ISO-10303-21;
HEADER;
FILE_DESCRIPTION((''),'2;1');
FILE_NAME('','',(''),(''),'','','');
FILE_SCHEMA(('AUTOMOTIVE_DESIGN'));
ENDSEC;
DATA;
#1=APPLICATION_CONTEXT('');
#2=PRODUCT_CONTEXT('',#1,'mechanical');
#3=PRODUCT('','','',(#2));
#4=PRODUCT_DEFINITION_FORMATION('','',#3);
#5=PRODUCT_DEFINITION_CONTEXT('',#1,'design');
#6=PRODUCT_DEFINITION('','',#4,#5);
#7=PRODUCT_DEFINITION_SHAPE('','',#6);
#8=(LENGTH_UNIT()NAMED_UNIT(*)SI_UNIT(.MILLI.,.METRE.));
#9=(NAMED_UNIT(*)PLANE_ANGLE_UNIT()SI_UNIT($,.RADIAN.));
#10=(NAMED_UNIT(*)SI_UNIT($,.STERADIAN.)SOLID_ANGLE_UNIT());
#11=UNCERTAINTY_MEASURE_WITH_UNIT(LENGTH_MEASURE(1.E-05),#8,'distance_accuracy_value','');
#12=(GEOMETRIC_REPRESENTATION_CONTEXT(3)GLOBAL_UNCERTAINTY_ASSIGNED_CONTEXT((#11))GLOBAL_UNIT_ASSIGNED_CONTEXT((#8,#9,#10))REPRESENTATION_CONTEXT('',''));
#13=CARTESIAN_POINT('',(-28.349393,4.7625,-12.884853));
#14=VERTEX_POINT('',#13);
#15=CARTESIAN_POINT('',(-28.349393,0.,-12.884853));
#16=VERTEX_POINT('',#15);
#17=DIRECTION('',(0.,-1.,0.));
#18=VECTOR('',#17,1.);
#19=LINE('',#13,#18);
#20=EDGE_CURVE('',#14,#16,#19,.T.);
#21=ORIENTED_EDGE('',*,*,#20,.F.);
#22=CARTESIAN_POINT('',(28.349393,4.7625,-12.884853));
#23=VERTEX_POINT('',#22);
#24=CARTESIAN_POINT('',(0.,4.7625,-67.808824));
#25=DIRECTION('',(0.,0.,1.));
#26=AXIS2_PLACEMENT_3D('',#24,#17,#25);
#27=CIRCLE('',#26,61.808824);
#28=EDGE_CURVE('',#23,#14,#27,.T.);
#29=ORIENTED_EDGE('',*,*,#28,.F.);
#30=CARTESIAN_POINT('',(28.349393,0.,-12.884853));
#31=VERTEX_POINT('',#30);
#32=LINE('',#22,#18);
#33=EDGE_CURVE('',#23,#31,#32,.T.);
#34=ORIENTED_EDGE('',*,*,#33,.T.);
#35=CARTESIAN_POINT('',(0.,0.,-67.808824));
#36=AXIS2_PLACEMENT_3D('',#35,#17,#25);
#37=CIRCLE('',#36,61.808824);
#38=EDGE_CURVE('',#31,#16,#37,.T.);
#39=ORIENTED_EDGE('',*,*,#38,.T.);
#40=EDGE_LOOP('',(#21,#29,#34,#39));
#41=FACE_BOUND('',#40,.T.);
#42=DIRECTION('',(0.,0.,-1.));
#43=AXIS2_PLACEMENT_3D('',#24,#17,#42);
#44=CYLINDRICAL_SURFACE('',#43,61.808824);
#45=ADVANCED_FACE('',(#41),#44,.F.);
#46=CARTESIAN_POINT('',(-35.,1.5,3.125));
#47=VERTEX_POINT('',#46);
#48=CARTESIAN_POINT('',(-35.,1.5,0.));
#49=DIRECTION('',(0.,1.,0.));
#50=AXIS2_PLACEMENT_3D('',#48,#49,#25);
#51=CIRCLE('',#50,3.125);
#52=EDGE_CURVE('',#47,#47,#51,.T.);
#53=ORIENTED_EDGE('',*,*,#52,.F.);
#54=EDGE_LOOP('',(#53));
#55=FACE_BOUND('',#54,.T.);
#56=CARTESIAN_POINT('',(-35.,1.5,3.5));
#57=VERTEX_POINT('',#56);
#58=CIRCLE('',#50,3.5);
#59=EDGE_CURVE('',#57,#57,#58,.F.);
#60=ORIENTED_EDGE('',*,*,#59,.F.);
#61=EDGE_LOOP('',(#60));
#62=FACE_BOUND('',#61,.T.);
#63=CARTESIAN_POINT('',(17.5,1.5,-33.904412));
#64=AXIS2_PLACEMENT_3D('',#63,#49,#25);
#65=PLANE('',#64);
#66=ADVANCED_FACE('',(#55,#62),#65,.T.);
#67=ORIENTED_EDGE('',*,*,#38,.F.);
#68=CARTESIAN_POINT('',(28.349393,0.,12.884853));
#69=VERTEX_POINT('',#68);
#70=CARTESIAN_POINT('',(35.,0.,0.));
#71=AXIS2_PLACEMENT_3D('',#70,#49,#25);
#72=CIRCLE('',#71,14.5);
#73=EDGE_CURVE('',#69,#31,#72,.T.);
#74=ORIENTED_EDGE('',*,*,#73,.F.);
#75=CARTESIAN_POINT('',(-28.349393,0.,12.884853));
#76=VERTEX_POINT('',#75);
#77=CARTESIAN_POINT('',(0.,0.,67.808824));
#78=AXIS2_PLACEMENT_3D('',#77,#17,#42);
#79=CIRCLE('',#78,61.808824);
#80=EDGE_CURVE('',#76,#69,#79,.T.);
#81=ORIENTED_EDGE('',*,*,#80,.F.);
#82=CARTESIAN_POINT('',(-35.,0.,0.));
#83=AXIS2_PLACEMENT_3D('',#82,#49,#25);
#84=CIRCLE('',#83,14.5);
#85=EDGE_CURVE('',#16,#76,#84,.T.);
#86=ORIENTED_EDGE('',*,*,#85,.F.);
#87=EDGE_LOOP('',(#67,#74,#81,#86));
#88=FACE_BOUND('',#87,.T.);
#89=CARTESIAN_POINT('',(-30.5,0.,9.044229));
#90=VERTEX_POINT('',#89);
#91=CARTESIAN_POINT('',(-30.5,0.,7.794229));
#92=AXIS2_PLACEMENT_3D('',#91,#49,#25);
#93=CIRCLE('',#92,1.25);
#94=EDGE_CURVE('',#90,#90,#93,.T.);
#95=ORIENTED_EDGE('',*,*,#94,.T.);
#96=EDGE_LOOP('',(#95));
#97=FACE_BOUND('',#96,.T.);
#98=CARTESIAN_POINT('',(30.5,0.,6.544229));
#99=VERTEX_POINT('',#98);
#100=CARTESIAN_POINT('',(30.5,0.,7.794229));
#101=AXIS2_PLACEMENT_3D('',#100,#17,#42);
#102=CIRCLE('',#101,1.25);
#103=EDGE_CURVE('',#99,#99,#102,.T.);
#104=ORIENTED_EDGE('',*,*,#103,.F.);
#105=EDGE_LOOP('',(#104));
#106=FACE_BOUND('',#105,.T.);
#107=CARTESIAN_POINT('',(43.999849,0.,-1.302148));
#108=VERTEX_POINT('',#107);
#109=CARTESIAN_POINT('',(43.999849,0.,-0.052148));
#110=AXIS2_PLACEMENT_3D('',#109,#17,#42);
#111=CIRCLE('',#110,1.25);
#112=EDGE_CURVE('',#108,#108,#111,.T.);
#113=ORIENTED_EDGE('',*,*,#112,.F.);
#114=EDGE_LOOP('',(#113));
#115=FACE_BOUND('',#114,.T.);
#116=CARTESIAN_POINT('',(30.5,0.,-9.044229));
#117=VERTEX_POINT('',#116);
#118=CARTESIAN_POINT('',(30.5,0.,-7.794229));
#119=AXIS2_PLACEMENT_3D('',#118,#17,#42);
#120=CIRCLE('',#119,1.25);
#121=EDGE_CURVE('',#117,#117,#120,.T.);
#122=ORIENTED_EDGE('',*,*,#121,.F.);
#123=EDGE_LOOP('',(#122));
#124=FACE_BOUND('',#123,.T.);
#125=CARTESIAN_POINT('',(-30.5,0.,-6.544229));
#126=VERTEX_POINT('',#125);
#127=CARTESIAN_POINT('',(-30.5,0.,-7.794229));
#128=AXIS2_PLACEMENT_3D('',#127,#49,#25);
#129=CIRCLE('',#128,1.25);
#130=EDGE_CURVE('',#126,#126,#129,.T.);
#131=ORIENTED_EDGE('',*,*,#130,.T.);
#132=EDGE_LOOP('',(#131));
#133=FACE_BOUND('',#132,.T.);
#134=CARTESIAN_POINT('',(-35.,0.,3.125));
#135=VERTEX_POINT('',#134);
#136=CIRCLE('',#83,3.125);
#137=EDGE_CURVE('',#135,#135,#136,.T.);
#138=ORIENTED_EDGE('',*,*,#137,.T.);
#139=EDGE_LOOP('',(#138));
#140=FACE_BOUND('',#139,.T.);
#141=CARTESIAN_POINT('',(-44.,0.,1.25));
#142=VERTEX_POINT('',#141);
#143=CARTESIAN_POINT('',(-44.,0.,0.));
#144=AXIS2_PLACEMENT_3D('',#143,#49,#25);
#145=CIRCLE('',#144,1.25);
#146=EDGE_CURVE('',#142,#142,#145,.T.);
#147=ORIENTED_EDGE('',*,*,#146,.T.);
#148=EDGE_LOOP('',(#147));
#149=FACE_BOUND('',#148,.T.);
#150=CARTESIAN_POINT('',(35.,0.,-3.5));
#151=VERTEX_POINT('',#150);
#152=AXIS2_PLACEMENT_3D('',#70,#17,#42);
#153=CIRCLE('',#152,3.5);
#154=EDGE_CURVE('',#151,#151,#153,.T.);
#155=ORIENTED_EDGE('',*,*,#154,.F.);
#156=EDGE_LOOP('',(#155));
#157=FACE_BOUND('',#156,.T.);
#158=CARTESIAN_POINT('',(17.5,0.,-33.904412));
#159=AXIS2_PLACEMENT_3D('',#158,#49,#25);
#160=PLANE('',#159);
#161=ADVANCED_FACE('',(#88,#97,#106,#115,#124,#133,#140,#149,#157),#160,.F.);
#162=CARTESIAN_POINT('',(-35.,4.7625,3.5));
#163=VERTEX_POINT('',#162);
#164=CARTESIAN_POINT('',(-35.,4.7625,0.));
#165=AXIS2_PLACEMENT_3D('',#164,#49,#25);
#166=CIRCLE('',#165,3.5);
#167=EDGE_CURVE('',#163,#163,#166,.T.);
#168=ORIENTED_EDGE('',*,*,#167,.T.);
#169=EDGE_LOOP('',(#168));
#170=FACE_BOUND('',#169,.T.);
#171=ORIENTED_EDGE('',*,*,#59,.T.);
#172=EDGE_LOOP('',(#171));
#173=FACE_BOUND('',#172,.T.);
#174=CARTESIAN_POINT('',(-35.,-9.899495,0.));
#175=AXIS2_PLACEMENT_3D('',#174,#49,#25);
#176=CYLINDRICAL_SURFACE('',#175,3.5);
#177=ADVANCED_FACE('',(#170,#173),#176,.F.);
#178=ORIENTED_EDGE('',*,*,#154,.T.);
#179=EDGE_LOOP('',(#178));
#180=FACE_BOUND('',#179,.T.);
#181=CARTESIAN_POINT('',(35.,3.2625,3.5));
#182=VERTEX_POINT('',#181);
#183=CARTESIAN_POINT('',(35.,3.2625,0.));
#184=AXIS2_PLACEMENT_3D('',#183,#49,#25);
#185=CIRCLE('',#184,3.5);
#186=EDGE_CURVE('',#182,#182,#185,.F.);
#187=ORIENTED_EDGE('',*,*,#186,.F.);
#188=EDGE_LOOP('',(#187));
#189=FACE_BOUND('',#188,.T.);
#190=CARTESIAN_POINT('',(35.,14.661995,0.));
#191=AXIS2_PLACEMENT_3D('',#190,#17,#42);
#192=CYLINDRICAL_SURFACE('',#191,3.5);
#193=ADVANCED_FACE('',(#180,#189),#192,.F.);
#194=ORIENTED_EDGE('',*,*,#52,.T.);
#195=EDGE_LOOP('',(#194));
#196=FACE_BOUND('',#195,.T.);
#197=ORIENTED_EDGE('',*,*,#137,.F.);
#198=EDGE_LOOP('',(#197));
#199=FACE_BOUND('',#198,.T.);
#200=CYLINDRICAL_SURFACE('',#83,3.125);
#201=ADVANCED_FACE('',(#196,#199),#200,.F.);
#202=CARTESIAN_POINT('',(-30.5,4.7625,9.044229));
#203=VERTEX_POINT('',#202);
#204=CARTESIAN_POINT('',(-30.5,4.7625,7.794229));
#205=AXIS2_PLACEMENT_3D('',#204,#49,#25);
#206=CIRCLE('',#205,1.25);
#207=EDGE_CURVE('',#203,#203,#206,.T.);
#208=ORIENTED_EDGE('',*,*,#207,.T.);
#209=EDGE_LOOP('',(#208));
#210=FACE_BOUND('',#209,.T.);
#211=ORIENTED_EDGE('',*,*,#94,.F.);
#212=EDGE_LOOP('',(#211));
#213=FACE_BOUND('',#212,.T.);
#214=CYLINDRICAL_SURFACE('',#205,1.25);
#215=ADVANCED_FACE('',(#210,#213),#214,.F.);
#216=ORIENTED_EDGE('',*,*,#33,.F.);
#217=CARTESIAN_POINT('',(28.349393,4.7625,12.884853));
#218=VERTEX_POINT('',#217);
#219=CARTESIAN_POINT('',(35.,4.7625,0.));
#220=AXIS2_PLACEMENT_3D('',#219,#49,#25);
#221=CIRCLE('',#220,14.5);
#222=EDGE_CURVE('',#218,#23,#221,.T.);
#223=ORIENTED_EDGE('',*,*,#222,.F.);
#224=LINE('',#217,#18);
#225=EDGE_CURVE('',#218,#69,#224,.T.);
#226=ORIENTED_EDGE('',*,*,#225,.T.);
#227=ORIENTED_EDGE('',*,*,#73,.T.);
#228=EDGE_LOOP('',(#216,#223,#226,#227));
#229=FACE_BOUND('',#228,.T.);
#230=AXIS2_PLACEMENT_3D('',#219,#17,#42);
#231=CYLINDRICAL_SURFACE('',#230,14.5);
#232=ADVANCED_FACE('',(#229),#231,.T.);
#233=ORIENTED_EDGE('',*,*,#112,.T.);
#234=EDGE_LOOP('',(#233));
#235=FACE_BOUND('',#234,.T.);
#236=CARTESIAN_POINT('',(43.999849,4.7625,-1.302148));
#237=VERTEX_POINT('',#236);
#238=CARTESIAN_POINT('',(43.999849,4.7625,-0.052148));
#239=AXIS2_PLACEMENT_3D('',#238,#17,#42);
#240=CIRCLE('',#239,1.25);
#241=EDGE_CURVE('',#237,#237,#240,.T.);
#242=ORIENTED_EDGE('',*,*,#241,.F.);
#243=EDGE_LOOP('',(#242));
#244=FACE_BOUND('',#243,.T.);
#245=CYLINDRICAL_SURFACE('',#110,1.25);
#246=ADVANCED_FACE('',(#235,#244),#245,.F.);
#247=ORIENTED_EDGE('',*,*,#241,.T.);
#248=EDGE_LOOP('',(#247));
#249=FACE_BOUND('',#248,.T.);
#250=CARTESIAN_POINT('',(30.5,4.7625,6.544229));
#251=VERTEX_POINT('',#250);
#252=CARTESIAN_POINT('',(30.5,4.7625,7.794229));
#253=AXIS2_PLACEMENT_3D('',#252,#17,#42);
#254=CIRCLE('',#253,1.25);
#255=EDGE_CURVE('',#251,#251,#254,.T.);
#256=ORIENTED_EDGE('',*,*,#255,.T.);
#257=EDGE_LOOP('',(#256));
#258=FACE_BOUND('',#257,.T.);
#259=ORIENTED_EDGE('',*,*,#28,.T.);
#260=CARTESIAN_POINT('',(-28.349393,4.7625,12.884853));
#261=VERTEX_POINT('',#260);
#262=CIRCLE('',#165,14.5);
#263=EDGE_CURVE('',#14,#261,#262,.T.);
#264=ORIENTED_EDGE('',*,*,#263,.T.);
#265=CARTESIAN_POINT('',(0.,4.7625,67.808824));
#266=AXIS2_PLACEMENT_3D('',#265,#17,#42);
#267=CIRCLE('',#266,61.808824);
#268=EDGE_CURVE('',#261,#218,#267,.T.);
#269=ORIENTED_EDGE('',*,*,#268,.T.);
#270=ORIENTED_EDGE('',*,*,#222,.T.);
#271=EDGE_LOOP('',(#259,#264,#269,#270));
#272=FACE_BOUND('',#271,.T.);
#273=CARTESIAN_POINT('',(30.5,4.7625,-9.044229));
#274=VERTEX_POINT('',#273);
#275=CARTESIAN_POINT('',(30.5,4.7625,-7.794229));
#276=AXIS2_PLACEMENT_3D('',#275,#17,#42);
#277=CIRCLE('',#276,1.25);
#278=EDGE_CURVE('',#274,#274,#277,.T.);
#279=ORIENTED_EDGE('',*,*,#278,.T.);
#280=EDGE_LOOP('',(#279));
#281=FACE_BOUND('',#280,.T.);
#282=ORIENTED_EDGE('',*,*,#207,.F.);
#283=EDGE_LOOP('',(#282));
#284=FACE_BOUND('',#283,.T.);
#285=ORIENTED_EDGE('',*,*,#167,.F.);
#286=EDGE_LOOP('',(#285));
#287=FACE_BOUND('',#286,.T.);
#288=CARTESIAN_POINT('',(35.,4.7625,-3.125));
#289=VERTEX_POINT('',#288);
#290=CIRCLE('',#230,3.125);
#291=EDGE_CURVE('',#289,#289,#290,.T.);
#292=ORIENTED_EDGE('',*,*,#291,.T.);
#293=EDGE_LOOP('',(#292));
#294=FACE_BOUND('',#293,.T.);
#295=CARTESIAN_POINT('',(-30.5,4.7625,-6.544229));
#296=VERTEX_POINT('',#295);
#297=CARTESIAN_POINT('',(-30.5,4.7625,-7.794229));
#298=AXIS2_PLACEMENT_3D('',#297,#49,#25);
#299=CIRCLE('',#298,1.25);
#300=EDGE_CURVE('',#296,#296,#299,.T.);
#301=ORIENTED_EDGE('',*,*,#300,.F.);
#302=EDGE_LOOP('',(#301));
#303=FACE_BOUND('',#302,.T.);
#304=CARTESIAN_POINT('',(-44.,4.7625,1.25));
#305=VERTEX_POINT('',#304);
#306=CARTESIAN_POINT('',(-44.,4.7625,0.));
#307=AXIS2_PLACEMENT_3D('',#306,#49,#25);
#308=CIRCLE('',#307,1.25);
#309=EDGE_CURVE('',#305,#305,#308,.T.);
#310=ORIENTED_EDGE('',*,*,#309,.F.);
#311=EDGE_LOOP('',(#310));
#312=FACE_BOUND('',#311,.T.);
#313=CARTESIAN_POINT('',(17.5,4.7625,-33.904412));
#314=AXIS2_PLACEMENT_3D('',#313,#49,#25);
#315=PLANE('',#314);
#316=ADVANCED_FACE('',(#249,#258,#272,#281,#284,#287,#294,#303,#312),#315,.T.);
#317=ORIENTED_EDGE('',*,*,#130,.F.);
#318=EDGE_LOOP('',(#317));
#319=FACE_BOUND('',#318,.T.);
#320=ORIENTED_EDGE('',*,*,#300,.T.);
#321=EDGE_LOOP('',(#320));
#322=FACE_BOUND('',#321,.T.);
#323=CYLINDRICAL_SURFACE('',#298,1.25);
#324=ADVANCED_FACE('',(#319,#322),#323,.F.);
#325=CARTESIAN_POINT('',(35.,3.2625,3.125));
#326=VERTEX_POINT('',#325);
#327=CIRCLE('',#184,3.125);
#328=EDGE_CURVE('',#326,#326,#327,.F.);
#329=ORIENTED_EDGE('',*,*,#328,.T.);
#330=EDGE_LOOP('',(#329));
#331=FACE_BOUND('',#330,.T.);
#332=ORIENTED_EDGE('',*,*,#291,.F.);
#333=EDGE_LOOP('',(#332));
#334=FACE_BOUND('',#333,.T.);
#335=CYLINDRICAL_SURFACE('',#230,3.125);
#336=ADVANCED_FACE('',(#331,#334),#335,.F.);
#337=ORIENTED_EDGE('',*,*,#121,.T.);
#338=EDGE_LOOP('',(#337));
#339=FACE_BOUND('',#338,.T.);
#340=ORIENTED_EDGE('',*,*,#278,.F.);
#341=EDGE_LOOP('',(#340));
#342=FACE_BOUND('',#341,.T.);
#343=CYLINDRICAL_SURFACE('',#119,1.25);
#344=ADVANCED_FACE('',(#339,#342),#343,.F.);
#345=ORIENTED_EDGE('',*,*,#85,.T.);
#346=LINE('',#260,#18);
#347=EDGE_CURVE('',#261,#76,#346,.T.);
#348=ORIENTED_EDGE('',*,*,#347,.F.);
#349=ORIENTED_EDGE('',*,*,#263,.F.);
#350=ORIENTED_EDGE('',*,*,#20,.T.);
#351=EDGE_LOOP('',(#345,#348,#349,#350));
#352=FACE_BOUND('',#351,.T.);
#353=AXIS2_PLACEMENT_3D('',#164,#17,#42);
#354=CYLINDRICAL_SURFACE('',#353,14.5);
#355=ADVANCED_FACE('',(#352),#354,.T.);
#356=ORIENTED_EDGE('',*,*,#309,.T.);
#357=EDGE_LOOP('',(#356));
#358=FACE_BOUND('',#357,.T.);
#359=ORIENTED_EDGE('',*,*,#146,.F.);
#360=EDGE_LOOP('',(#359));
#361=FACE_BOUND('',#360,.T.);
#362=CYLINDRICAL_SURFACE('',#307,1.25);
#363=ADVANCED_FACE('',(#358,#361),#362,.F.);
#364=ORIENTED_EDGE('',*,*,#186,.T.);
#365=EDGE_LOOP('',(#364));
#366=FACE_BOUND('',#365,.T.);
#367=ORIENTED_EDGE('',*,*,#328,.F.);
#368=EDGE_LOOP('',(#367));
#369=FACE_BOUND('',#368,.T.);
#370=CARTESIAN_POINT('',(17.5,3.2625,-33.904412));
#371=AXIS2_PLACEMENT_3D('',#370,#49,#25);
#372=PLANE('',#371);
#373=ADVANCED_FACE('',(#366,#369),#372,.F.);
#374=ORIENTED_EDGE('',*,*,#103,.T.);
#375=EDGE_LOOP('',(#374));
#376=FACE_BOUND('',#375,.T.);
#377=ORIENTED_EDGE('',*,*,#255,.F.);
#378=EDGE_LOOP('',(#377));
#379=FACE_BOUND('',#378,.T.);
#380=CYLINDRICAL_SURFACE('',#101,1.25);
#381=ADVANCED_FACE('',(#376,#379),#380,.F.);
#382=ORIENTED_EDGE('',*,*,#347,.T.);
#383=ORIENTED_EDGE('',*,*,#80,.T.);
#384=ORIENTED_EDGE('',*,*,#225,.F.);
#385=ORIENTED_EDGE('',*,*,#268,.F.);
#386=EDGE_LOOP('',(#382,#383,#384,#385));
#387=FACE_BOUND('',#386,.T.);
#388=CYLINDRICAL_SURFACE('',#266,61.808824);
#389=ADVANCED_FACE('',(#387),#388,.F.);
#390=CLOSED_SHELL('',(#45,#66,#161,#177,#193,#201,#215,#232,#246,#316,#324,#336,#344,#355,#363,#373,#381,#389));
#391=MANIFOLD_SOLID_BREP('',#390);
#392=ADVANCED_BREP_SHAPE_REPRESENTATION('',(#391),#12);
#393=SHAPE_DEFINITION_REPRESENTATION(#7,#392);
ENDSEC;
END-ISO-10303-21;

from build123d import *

# Parameters (mm, degrees)
BOSS_EXTRUDE1_DEPTH   = 4.7625
SKETCH2_R             = 3.5
CUT_EXTRUDE1_DEPTH    = 3.2625
SKETCH3_R             = 3.125
CUT_EXTRUDE2_DEPTH    = 2.5
SKETCH6_R             = 3.125
CUT_EXTRUDE5_DEPTH    = 5.7625
SKETCH7_R             = 3.5
CUT_EXTRUDE6_DEPTH    = 3.2625
M3X0_5_TAPPED_HOLE1_D = 2.5
M3X0_5_TAPPED_HOLE2_D = 2.5


with BuildPart() as part:
    # Sketch1 → Boss-Extrude1 (new body)
    with BuildSketch(Plane(origin=(0, 0, 0), x_dir=(1, 0, 0), z_dir=(0, 1, 0))):
        with BuildLine():
            ThreePointArc((-28.349392947, 12.884852573), (-49.5, 0), (-28.349392947, -12.884852573))
            ThreePointArc((-28.349392947, -12.884852573), (0, -6), (28.349392947, -12.884852573))
            ThreePointArc((28.349392947, -12.884852573), (49.5, 0), (28.349392947, 12.884852573))
            ThreePointArc((28.349392947, 12.884852573), (0, 6), (-28.349392947, 12.884852573))
        make_face()
    extrude(amount=BOSS_EXTRUDE1_DEPTH)

    # Sketch2 → Cut-Extrude1 (cut)
    with BuildSketch(Plane(origin=(0, 4.7625, 0), x_dir=(1, 0, 0), z_dir=(0, 1, 0))):
        with Locations((-35, 0)):
            Circle(SKETCH2_R)
    extrude(amount=-CUT_EXTRUDE1_DEPTH, mode=Mode.SUBTRACT)

    # Sketch3 → Cut-Extrude2 (cut, through all)
    with BuildSketch(Plane(origin=(0, 1.5, 0), x_dir=(1, 0, 0), z_dir=(0, 1, 0))):
        with Locations((-35, 0)):
            Circle(SKETCH3_R)
    extrude(amount=-CUT_EXTRUDE2_DEPTH, mode=Mode.SUBTRACT)

    # Sketch6 → Cut-Extrude5 (cut, through all)
    with BuildSketch(Plane.XZ):
        with Locations((35, 0)):
            Circle(SKETCH6_R)
    extrude(amount=-CUT_EXTRUDE5_DEPTH, mode=Mode.SUBTRACT)

    # Sketch7 → Cut-Extrude6 (cut)
    with BuildSketch(Plane.XZ):
        with Locations((35, 0)):
            Circle(SKETCH7_R)
    extrude(amount=-CUT_EXTRUDE6_DEPTH, mode=Mode.SUBTRACT)

    # M3x0.5 Tapped Hole1 (through all)
    with Locations(Plane(origin=(0, 4.7625, 0), x_dir=(-1, 0, 0), z_dir=(0, 1, 0))):
        with Locations((30.5, 7.794228634), (44, 0), (30.5, -7.794228634)):
            Hole(M3X0_5_TAPPED_HOLE1_D / 2)

    # M3x0.5 Tapped Hole2 (through all)
    with Locations(Plane.XZ):
        with Locations((43.999848922, -0.052147689), (30.5, 7.794228634), (30.5, -7.794228634)):
            Hole(M3X0_5_TAPPED_HOLE2_D / 2)


solid = part.part
